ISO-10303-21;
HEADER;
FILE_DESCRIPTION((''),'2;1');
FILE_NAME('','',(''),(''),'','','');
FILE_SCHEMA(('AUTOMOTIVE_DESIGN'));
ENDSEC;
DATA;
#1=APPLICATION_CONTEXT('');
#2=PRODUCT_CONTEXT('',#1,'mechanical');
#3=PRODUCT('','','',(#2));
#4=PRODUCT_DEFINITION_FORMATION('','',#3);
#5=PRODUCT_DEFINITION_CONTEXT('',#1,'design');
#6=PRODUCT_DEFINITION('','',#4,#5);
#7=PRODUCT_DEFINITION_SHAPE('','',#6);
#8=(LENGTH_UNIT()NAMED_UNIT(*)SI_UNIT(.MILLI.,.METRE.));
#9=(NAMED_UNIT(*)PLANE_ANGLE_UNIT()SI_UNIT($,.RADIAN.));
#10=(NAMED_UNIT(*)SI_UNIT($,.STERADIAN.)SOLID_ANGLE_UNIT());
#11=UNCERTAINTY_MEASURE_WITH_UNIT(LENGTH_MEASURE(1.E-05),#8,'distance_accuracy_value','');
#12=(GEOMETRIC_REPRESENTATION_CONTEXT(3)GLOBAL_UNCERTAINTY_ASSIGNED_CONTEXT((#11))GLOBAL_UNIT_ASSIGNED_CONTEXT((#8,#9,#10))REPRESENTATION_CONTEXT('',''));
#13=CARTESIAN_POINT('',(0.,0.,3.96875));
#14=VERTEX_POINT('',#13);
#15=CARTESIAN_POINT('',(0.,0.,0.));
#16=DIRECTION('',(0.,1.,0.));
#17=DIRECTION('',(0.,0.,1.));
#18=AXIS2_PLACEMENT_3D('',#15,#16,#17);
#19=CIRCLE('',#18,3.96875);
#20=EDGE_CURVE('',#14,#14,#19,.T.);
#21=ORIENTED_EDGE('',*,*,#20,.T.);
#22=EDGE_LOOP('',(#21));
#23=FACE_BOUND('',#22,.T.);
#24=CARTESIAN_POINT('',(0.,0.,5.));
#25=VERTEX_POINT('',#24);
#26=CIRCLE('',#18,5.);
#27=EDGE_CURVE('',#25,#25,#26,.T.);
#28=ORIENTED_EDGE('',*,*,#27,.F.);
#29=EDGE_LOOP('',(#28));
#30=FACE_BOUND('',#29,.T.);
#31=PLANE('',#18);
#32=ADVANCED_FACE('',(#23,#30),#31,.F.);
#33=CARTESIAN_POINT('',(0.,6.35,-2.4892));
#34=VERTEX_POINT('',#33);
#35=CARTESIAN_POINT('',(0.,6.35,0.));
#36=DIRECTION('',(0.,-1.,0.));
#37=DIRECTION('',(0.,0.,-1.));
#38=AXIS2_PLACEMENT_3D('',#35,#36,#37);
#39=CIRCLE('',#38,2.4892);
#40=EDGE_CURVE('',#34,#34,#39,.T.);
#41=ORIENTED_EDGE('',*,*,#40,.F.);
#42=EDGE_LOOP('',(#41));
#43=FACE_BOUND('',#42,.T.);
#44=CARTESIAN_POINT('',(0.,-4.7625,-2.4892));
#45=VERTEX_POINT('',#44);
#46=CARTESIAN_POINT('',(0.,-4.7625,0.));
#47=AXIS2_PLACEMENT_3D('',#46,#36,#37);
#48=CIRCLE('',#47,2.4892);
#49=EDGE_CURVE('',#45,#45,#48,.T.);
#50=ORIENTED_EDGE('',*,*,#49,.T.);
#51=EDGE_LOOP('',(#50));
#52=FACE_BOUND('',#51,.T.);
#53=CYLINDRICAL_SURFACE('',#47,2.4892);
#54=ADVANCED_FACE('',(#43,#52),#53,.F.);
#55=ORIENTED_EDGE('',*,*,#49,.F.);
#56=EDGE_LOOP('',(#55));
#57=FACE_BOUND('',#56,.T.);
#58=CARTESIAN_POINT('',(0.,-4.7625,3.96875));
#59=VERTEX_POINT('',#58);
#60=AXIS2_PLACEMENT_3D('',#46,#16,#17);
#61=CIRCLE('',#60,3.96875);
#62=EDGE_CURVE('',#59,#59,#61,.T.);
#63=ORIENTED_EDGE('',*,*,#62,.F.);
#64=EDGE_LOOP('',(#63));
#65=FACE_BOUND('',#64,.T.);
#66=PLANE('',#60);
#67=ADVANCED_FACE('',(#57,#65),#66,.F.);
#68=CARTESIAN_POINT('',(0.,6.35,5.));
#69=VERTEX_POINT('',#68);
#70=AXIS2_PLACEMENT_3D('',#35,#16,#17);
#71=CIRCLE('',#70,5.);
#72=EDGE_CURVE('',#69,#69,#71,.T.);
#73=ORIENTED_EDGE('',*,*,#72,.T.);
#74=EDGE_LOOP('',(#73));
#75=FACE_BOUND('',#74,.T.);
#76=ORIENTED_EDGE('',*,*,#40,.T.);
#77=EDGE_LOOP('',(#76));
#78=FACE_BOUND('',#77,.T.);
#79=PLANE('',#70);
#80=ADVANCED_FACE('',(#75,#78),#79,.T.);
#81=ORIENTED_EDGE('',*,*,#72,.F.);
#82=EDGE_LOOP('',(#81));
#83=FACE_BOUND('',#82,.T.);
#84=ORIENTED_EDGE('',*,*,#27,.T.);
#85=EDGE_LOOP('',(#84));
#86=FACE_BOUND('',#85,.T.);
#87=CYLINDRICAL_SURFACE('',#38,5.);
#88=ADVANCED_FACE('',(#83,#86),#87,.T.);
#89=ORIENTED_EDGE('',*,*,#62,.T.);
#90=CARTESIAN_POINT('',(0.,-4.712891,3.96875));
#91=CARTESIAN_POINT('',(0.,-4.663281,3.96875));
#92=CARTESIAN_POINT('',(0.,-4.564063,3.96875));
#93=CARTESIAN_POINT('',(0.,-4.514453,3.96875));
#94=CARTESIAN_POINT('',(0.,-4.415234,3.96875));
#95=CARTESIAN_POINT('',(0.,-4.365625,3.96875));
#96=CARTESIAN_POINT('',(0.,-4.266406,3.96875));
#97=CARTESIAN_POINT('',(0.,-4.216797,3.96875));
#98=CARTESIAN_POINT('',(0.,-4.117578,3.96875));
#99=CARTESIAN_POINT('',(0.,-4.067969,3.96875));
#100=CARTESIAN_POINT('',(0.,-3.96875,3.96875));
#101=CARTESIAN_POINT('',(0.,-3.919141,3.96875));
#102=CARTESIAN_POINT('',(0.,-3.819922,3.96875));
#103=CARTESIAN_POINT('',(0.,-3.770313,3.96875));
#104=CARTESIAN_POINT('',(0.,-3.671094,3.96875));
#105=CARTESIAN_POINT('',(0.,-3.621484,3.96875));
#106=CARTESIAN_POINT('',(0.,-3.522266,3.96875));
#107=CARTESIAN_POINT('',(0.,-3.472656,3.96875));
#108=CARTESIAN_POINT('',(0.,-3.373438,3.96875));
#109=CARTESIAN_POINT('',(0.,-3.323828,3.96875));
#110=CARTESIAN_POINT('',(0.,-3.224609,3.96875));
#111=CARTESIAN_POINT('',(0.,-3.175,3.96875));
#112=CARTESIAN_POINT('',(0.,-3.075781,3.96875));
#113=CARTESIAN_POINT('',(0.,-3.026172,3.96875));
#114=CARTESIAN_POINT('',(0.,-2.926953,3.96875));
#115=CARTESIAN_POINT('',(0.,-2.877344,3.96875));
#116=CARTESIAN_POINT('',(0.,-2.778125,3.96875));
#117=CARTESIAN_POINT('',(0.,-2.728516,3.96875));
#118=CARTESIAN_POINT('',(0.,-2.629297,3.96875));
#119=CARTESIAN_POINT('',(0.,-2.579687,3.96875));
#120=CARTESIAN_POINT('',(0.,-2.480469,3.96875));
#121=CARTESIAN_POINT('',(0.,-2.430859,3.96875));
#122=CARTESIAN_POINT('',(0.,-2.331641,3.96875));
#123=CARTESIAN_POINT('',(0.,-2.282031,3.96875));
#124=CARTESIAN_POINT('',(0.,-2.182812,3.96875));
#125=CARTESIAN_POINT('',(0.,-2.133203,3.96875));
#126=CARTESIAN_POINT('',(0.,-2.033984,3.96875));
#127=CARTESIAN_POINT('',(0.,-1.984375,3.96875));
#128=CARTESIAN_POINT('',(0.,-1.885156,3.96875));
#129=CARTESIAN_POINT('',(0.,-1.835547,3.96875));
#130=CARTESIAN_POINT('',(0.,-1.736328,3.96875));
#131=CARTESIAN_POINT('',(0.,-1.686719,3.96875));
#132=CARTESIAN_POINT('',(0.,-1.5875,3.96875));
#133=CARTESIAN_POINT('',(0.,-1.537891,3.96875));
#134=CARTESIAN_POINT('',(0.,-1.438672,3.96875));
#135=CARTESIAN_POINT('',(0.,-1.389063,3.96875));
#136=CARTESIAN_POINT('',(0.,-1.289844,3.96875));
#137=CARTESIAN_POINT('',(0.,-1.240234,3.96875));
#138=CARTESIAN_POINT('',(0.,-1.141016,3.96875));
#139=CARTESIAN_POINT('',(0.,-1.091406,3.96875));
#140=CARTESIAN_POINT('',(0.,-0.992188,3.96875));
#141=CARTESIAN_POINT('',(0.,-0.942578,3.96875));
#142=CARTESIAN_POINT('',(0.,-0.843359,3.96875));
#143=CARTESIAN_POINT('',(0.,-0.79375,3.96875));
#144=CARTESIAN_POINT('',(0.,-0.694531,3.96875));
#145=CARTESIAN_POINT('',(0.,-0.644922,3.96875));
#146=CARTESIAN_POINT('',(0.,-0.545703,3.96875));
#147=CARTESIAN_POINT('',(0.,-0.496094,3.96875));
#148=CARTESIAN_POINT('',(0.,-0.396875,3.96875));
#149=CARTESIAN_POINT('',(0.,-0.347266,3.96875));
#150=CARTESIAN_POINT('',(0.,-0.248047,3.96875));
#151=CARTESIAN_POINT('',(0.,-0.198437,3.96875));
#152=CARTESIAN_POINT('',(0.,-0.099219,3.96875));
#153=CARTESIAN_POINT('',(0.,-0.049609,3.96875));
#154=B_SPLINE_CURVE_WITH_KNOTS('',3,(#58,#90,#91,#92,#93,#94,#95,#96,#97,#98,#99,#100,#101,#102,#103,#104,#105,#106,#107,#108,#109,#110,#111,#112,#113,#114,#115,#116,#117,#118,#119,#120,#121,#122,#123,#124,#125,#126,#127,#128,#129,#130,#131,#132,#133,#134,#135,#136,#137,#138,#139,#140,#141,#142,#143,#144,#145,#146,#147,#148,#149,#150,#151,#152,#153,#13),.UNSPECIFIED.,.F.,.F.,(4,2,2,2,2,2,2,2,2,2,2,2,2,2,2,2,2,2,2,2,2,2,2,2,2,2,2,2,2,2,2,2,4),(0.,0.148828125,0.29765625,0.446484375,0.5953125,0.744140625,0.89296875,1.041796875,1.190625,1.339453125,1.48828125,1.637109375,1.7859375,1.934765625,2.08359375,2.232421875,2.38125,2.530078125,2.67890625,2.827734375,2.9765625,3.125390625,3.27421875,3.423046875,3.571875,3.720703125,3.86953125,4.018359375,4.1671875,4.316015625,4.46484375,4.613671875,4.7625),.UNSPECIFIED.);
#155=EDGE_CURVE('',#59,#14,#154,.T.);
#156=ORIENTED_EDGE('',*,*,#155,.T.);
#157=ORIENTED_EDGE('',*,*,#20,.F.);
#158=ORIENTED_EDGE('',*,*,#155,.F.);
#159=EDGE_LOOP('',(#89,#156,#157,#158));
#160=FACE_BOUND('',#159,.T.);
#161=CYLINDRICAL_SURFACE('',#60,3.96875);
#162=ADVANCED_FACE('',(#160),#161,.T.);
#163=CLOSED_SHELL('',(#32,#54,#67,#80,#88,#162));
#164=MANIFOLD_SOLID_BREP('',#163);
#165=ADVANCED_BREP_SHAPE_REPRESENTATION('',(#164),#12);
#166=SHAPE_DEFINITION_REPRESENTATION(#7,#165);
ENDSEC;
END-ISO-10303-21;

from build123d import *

# Parameters (mm, degrees)
SKETCH1_R              = 5
BEARING_COLLAR_DEPTH   = 6.35
SKETCH1_3_R            = 3.96875
CENTER_SPINDLE_DEPTH   = 4.7625
F_10_CLEARANCE_HOLE1_D = 4.9784


with BuildPart() as part:
    # Sketch1 → Bearing Collar (new body)
    with BuildSketch(Plane(origin=(0, 0, 0), x_dir=(1, 0, 0), z_dir=(0, 1, 0))):
        Circle(SKETCH1_R)
    extrude(amount=BEARING_COLLAR_DEPTH)

    # Sketch1<3> → Center Spindle (add)
    with BuildSketch(Plane(origin=(0, 0, 0), x_dir=(1, 0, 0), z_dir=(0, 1, 0))):
        Circle(SKETCH1_3_R)
    extrude(amount=-CENTER_SPINDLE_DEPTH)

    # #10 Clearance Hole1 (through all)
    with Locations(Plane(origin=(0, -4.7625, 0), x_dir=(0, 0, -1), z_dir=(0, -1, 0))):
        with Locations((0, 0)):
            Hole(F_10_CLEARANCE_HOLE1_D / 2)


solid = part.part
